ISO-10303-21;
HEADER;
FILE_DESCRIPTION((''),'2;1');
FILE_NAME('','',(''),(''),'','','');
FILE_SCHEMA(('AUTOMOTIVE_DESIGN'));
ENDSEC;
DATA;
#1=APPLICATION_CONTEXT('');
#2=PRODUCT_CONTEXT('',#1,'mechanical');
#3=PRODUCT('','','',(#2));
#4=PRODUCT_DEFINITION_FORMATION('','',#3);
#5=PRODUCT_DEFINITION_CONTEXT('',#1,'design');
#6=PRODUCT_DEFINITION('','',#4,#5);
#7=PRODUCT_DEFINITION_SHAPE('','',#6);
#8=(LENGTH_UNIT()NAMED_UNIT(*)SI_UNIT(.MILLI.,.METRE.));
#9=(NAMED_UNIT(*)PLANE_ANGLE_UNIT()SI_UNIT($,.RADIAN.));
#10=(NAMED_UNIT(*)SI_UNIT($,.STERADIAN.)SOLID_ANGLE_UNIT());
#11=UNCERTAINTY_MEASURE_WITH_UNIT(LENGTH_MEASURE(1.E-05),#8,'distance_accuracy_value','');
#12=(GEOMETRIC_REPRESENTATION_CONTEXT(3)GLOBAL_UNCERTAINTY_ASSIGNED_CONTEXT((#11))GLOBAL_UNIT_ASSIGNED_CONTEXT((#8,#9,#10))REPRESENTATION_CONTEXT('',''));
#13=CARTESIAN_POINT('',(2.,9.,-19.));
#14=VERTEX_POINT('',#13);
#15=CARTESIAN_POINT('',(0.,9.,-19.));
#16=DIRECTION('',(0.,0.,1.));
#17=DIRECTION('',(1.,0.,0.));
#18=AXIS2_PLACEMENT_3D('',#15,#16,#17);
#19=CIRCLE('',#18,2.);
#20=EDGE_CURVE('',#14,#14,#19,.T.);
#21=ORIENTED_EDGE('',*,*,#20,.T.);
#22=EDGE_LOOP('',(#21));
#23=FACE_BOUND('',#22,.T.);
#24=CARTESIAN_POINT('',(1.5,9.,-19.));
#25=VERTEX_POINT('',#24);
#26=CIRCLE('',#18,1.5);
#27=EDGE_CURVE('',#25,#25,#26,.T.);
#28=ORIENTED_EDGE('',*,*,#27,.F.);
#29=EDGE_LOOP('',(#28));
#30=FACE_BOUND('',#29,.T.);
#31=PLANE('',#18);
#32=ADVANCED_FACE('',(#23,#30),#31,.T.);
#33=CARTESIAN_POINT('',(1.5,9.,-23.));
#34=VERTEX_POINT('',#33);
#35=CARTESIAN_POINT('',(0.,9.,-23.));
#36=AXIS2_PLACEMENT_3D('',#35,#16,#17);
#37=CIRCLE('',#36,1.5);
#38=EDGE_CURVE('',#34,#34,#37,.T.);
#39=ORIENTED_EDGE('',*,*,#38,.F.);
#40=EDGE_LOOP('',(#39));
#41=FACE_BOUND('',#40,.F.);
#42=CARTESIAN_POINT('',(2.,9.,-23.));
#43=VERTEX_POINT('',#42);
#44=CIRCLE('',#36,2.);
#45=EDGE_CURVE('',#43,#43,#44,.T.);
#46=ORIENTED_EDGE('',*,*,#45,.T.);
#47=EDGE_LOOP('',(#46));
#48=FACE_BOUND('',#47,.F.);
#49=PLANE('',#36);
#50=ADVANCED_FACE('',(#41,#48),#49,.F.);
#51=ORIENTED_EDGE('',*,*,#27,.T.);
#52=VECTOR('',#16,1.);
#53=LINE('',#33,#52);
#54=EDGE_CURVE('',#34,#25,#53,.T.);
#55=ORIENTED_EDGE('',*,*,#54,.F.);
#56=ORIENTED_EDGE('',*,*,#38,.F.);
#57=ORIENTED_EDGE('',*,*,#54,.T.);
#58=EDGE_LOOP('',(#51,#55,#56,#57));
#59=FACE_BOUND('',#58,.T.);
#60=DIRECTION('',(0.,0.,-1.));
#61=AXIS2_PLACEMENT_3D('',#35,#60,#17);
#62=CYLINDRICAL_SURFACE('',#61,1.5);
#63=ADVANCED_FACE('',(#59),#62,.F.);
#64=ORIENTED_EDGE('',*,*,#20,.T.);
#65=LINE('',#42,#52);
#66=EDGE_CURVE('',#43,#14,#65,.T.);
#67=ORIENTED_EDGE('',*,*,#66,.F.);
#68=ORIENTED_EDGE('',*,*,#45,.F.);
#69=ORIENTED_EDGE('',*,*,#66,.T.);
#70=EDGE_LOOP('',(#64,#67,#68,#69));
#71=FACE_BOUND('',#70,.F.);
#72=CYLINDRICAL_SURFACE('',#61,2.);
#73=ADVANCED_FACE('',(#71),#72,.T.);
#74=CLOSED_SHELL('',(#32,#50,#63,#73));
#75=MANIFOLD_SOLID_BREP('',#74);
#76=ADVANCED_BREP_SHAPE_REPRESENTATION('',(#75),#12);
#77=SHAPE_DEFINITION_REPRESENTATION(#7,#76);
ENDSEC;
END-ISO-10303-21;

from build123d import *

# Parameters (mm, degrees)
CYLINDER005_R     = 1.5
CYLINDER005_DEPTH = 4
CYLINDER004_R     = 2
CYLINDER004_DEPTH = 4


with BuildPart() as cylinderouter002:
    # Cylinder005 → Cylinder005 (new body)
    with BuildSketch(Plane(origin=(8, -26, -23), x_dir=(1, 0, 0), z_dir=(0, 0, 1))):
        Circle(CYLINDER005_R)
    extrude(amount=CYLINDER005_DEPTH)


with BuildPart() as relaysupp01:
    # Cylinder004 → Cylinder004 (new body)
    with BuildSketch(Plane(origin=(8, -26, -23), x_dir=(1, 0, 0), z_dir=(0, 0, 1))):
        Circle(CYLINDER004_R)
    extrude(amount=CYLINDER004_DEPTH)

    # Cut003: cut CylinderOuter002
    add(cylinderouter002.part, mode=Mode.SUBTRACT)


with BuildPart() as relaysupp01_1:
    # Cut003 placement: moved
    add(relaysupp01.part.moved(Location((-8, 35, 0))))


solid = relaysupp01_1.part
